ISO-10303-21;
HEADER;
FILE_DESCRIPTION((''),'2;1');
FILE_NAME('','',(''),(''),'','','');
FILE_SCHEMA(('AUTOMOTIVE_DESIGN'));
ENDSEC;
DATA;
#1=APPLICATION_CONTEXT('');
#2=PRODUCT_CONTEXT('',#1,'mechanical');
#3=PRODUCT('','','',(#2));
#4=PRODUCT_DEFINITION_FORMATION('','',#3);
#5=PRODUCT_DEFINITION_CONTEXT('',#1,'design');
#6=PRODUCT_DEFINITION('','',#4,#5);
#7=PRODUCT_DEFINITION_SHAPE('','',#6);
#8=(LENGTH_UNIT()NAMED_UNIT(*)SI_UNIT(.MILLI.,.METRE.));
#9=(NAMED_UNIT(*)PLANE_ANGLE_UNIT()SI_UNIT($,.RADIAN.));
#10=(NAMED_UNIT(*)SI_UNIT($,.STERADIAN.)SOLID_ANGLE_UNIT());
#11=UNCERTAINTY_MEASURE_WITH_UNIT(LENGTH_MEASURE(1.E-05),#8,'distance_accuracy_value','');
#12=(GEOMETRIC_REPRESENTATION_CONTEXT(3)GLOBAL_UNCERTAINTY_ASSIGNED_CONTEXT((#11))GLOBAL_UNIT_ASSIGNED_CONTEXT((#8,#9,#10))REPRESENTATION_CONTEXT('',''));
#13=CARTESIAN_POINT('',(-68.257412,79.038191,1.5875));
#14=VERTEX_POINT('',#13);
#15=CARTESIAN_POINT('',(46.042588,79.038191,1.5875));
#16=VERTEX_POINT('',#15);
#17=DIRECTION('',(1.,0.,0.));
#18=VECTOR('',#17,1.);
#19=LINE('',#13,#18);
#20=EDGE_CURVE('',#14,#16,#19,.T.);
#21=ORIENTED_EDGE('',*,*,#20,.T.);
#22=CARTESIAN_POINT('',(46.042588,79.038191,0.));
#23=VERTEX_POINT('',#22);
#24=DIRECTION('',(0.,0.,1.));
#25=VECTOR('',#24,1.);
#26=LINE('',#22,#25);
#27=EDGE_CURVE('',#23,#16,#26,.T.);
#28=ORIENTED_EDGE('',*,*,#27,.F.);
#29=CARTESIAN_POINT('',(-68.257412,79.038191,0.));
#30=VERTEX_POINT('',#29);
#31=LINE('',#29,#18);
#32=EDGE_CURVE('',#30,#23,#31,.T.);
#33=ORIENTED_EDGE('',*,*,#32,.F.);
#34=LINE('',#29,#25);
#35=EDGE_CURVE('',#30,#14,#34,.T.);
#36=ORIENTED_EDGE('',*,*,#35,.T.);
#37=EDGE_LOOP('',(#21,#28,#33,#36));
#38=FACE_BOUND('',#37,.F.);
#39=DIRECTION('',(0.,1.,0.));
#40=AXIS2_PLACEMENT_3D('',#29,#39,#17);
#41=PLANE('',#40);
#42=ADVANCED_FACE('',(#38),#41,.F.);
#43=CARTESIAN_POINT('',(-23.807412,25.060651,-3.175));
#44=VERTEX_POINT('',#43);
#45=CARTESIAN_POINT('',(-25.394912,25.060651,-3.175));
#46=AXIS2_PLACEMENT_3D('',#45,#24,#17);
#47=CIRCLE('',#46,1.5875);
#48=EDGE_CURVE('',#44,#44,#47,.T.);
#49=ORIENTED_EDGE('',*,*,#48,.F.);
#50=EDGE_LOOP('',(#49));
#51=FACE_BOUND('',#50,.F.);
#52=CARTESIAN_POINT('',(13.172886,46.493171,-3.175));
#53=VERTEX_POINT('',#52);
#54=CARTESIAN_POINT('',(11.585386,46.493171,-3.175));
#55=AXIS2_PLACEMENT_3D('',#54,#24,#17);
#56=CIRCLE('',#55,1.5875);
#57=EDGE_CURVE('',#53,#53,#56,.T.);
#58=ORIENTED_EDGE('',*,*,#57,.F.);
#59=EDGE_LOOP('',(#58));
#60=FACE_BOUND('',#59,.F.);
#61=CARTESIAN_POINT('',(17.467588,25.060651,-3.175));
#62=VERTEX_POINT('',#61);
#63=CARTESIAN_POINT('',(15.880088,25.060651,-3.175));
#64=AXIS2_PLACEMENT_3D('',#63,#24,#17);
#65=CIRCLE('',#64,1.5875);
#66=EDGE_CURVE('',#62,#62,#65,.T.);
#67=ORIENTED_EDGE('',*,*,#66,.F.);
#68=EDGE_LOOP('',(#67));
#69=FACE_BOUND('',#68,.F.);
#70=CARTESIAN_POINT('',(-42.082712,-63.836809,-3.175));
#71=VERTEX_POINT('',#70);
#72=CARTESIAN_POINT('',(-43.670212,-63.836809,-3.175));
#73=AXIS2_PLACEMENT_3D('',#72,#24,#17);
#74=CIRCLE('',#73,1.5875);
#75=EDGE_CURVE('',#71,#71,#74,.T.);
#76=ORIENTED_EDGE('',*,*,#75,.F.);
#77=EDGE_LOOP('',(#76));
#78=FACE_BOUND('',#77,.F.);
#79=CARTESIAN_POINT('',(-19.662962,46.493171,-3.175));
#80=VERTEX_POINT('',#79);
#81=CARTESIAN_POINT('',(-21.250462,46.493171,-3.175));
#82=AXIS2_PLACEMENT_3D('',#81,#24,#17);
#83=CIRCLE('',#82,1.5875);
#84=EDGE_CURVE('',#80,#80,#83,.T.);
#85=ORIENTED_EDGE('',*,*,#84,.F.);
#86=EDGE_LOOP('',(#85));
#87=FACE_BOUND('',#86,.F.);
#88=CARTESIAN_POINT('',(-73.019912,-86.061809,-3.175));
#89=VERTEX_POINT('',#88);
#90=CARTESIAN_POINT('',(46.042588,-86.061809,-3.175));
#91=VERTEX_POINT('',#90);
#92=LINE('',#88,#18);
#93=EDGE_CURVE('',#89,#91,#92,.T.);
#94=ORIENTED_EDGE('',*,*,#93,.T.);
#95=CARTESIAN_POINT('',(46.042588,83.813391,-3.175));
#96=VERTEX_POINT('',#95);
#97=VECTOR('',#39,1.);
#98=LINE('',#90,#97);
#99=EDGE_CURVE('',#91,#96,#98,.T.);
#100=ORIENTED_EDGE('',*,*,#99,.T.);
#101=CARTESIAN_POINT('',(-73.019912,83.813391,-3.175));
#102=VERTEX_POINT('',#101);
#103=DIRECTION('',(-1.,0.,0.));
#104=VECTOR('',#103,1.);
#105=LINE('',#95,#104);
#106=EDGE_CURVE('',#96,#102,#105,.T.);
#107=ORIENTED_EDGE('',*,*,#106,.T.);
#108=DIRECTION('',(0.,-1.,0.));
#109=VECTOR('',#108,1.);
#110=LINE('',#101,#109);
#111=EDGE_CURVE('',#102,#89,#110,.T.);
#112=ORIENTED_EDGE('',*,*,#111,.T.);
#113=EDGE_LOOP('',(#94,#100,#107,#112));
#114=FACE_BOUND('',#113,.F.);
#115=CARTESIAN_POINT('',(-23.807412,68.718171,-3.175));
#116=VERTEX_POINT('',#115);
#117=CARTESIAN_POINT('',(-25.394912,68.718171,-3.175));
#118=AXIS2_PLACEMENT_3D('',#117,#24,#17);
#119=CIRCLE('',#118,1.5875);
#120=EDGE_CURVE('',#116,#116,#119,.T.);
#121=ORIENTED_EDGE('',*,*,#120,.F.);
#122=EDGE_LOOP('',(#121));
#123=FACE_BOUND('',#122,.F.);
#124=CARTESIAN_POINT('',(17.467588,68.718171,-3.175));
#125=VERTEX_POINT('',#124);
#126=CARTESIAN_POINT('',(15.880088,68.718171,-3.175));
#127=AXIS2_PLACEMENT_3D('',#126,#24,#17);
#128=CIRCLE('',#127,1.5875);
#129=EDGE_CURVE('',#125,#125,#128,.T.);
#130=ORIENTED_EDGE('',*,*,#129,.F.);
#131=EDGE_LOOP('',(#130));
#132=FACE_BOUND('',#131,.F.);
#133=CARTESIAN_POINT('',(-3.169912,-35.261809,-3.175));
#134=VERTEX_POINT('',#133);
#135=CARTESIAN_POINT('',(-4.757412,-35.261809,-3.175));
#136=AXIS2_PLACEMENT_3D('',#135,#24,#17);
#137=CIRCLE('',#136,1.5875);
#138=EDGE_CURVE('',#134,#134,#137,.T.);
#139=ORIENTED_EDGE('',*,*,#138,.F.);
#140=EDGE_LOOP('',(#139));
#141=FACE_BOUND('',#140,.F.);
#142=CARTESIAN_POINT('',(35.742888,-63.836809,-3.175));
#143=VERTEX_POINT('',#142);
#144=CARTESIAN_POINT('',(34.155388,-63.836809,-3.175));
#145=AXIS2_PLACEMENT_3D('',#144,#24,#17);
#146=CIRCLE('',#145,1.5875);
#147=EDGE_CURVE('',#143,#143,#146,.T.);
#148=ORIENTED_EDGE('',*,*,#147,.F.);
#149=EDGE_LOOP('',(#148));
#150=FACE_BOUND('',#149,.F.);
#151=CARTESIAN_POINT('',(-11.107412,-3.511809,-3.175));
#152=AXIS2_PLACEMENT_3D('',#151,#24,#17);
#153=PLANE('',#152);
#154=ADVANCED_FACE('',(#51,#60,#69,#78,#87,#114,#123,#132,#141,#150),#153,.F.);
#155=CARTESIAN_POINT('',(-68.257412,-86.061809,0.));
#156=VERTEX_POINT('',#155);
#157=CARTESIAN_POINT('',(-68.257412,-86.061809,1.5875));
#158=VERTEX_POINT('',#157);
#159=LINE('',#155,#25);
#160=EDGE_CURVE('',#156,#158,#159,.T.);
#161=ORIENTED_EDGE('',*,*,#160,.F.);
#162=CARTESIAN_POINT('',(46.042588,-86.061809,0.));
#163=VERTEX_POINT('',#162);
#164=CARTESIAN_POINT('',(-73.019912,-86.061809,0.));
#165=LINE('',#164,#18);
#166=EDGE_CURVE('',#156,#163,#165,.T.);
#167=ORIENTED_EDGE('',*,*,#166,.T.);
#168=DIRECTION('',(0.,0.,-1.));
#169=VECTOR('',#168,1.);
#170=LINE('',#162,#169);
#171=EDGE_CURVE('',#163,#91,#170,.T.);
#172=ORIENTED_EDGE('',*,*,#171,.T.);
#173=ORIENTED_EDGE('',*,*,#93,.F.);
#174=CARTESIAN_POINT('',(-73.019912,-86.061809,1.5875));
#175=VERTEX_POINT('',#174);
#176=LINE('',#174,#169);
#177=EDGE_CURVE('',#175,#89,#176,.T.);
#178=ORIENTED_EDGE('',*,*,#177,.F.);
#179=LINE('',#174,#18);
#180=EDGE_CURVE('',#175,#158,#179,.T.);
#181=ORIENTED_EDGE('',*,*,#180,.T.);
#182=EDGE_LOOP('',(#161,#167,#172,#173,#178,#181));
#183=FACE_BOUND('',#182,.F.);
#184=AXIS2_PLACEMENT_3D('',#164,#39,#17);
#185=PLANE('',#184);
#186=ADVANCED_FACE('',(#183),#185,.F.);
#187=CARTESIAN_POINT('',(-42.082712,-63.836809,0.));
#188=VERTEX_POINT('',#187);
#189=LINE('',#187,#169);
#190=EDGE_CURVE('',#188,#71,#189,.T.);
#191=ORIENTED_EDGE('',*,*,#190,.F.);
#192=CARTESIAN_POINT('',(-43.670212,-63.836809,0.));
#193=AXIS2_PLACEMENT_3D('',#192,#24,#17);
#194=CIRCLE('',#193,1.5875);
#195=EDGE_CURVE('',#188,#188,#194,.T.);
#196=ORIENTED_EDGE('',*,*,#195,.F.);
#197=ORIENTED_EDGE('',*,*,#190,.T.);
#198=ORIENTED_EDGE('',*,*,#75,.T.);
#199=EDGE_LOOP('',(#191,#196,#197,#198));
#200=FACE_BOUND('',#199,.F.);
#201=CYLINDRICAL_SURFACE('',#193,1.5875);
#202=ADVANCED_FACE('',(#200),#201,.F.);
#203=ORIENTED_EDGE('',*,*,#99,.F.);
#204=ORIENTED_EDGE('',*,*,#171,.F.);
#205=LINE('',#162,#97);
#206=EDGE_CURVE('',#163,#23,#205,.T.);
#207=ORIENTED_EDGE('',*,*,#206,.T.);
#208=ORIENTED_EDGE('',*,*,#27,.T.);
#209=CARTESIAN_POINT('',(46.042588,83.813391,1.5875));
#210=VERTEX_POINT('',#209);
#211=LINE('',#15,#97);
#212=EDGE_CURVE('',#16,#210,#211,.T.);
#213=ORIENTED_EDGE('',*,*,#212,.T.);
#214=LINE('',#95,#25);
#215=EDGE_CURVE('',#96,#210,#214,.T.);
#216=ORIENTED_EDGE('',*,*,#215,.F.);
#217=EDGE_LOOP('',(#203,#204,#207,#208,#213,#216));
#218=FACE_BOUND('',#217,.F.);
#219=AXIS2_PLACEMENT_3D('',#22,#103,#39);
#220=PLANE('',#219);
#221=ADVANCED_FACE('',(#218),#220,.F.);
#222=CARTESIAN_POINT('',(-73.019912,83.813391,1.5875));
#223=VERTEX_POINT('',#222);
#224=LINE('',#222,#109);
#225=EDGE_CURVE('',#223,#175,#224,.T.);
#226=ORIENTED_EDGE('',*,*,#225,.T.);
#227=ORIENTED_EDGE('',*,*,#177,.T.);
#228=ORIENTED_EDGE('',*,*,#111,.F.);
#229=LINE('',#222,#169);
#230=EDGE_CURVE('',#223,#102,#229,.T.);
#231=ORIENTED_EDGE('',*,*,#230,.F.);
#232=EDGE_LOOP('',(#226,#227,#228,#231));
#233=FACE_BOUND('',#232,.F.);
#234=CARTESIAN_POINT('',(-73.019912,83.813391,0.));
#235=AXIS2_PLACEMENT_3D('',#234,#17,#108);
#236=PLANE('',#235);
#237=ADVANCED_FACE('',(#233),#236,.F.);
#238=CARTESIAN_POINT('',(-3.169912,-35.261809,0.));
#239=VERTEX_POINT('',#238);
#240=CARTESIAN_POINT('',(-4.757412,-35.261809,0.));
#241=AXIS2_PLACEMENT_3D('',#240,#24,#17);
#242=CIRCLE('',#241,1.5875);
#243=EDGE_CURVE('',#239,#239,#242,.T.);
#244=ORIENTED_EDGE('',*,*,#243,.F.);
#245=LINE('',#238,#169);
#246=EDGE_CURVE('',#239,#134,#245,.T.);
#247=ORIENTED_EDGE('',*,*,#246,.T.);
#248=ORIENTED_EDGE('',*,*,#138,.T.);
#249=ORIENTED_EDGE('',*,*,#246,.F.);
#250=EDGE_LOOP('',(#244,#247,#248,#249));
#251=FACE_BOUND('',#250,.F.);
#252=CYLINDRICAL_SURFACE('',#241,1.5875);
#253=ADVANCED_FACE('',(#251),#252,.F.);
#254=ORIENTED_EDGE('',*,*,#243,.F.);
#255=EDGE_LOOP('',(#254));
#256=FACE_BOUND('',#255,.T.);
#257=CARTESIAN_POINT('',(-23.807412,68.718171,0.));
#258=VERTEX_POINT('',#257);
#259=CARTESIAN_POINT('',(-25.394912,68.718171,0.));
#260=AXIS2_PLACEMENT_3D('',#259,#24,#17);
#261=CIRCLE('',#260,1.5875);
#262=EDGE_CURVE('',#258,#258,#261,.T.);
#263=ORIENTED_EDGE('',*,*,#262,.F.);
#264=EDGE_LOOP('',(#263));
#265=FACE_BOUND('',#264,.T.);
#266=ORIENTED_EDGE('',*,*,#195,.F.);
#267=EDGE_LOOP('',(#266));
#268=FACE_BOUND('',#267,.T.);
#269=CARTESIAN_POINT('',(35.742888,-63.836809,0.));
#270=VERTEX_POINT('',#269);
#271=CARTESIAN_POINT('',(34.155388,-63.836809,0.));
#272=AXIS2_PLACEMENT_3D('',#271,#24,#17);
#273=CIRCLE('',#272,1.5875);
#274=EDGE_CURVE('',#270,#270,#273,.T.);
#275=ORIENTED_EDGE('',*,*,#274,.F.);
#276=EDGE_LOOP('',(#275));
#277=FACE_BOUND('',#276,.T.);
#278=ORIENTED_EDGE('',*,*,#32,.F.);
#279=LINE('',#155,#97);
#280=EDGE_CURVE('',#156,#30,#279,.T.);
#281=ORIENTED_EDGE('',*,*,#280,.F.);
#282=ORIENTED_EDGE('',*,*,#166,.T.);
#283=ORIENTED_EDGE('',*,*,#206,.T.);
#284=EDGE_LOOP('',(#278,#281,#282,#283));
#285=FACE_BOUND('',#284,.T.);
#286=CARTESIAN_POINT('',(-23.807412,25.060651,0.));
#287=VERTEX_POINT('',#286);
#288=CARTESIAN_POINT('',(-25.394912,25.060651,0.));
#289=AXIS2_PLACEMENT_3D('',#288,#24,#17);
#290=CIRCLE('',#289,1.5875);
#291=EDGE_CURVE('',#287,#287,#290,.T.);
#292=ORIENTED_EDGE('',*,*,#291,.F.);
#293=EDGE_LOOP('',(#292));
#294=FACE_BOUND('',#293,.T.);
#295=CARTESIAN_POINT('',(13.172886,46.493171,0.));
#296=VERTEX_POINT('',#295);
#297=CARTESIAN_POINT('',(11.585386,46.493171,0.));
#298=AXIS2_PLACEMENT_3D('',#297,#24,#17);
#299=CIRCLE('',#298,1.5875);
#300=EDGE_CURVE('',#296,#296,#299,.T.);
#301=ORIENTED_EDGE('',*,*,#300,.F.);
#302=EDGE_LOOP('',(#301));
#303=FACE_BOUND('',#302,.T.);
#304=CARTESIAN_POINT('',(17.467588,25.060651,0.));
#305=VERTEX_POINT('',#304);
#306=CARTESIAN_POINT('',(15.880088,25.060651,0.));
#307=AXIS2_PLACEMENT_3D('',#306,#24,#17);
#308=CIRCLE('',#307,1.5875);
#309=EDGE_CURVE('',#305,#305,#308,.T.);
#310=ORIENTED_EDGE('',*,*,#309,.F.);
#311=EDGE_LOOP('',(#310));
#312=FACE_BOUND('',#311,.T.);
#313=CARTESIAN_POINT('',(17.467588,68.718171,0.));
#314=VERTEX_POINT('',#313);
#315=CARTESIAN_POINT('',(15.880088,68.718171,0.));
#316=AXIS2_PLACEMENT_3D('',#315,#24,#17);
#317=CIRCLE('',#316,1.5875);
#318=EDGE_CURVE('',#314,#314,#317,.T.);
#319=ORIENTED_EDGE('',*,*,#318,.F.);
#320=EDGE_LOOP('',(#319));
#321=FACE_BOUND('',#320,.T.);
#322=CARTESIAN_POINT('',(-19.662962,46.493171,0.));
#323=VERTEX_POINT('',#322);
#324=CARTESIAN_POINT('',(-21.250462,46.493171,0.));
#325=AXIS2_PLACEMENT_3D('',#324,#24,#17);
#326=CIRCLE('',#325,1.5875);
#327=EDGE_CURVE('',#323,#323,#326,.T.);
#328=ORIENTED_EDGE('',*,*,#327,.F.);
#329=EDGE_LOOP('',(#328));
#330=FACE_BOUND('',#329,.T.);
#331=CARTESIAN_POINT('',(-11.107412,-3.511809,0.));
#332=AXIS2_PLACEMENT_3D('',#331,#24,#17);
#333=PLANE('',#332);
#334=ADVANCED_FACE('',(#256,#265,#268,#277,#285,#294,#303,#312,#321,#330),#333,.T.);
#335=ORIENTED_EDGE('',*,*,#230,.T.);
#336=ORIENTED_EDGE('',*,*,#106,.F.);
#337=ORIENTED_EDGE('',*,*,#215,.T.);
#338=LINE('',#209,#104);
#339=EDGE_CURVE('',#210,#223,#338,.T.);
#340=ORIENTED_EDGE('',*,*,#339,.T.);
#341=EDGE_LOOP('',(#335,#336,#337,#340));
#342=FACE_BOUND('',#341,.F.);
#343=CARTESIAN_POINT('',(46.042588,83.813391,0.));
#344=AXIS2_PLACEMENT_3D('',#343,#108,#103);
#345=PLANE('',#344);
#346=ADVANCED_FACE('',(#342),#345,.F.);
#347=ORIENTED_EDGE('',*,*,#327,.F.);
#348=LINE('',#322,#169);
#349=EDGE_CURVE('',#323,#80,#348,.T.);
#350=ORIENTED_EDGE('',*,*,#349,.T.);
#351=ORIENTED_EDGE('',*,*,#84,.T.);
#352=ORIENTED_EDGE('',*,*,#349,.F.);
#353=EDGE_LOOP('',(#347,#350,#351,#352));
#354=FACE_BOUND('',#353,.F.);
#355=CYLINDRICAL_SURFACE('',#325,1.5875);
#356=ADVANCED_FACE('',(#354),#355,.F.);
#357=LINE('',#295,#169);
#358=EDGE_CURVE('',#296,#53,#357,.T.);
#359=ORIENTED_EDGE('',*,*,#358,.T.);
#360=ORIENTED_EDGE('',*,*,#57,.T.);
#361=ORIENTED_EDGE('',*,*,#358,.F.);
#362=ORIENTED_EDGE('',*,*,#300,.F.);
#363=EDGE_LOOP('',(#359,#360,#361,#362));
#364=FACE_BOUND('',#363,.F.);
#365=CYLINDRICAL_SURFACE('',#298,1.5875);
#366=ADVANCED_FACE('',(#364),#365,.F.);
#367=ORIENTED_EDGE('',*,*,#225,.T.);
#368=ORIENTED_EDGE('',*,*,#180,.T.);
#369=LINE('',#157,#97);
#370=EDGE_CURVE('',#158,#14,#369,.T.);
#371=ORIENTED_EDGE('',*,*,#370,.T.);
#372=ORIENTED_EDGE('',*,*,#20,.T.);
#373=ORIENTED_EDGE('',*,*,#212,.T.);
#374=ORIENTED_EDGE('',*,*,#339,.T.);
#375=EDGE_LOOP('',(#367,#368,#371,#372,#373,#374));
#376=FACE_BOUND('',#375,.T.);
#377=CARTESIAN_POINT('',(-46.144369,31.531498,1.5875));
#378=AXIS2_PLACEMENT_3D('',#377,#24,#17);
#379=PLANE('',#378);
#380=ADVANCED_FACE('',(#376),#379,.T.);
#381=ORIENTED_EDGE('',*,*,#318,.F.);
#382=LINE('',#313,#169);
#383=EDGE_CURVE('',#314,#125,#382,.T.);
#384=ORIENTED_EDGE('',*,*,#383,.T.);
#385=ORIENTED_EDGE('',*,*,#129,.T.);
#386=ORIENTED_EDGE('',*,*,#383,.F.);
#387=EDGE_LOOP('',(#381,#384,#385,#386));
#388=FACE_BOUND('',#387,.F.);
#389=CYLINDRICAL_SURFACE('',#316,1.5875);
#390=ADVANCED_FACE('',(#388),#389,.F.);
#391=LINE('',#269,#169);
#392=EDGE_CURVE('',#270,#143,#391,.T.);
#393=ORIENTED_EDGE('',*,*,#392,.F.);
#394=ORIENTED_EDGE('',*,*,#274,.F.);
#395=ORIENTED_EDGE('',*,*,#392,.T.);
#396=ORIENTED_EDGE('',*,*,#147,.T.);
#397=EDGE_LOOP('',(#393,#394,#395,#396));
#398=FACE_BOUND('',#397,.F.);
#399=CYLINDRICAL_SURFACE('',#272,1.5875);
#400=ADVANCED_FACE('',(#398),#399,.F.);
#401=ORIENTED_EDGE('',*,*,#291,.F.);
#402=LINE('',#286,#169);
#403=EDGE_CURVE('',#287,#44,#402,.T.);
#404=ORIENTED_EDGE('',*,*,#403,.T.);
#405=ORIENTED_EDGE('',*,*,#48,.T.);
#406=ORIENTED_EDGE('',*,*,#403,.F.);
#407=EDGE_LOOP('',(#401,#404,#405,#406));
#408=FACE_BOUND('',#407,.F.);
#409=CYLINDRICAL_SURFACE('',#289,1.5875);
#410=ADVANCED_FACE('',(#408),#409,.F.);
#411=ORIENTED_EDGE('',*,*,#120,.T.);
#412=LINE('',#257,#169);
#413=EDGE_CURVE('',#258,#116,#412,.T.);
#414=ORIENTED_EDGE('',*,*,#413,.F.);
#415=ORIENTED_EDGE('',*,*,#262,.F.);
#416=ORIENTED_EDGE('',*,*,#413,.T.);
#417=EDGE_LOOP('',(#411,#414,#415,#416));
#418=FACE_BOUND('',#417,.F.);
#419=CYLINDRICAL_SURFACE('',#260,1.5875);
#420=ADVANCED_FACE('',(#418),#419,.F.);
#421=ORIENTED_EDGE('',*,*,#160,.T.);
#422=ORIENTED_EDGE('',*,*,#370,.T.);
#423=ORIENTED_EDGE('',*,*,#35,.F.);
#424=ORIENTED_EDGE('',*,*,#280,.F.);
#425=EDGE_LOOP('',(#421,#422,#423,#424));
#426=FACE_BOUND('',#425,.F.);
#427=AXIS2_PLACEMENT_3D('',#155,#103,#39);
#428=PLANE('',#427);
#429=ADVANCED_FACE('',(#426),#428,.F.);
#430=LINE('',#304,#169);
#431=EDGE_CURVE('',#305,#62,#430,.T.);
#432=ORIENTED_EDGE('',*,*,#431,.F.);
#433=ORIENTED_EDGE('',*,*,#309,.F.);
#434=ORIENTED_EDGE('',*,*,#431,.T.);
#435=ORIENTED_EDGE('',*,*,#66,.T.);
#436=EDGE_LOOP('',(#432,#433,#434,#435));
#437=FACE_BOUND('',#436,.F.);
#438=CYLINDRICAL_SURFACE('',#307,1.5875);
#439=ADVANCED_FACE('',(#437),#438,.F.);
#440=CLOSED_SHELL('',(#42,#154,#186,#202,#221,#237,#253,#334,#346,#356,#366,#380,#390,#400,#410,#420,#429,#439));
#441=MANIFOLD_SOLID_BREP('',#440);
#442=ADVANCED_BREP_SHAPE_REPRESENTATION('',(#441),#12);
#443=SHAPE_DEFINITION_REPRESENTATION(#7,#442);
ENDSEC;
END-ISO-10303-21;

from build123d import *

# Parameters (mm, degrees)
F0_W     = 114.3
F0_H     = 165.1
F0_R     = 1.5875
F1_DEPTH = 3.175
F2_DEPTH = 1.5875


with BuildPart() as f1:
    # F0 (on Top) → F1 (new body)
    with BuildSketch(Plane.XY):
        with Locations((-11.107412, -3.511809)):
            Rectangle(F0_W, F0_H)
        with Locations((-43.670212, -63.836809)):
            Circle(F0_R, mode=Mode.SUBTRACT)
        with Locations((34.155388, -63.836809)):
            Circle(F0_R, mode=Mode.SUBTRACT)
        with Locations((-4.757412, -35.261809)):
            Circle(F0_R, mode=Mode.SUBTRACT)
        with Locations((-25.394912, 25.060651)):
            Circle(F0_R, mode=Mode.SUBTRACT)
        with Locations((-21.250462, 46.493171)):
            Circle(F0_R, mode=Mode.SUBTRACT)
        with Locations((-25.394912, 68.718171)):
            Circle(F0_R, mode=Mode.SUBTRACT)
        with Locations((15.880088, 25.060651)):
            Circle(F0_R, mode=Mode.SUBTRACT)
        with Locations((11.585386, 46.493171)):
            Circle(F0_R, mode=Mode.SUBTRACT)
        with Locations((15.880088, 68.718171)):
            Circle(F0_R, mode=Mode.SUBTRACT)
        Polygon((-68.257412, -86.061809), (-68.257412, 79.038191), (46.042588, 79.038191), (46.042588, 83.813391), (-73.019912, 83.813391), (-73.019912, -86.061809), align=None)
    extrude(amount=-F1_DEPTH)

    # F0 (on Top) → F2 (join)
    with BuildSketch(Plane.XY):
        Polygon((-68.257412, -86.061809), (-68.257412, 79.038191), (46.042588, 79.038191), (46.042588, 83.813391), (-73.019912, 83.813391), (-73.019912, -86.061809), align=None)
    extrude(amount=F2_DEPTH)


solid = f1.part
